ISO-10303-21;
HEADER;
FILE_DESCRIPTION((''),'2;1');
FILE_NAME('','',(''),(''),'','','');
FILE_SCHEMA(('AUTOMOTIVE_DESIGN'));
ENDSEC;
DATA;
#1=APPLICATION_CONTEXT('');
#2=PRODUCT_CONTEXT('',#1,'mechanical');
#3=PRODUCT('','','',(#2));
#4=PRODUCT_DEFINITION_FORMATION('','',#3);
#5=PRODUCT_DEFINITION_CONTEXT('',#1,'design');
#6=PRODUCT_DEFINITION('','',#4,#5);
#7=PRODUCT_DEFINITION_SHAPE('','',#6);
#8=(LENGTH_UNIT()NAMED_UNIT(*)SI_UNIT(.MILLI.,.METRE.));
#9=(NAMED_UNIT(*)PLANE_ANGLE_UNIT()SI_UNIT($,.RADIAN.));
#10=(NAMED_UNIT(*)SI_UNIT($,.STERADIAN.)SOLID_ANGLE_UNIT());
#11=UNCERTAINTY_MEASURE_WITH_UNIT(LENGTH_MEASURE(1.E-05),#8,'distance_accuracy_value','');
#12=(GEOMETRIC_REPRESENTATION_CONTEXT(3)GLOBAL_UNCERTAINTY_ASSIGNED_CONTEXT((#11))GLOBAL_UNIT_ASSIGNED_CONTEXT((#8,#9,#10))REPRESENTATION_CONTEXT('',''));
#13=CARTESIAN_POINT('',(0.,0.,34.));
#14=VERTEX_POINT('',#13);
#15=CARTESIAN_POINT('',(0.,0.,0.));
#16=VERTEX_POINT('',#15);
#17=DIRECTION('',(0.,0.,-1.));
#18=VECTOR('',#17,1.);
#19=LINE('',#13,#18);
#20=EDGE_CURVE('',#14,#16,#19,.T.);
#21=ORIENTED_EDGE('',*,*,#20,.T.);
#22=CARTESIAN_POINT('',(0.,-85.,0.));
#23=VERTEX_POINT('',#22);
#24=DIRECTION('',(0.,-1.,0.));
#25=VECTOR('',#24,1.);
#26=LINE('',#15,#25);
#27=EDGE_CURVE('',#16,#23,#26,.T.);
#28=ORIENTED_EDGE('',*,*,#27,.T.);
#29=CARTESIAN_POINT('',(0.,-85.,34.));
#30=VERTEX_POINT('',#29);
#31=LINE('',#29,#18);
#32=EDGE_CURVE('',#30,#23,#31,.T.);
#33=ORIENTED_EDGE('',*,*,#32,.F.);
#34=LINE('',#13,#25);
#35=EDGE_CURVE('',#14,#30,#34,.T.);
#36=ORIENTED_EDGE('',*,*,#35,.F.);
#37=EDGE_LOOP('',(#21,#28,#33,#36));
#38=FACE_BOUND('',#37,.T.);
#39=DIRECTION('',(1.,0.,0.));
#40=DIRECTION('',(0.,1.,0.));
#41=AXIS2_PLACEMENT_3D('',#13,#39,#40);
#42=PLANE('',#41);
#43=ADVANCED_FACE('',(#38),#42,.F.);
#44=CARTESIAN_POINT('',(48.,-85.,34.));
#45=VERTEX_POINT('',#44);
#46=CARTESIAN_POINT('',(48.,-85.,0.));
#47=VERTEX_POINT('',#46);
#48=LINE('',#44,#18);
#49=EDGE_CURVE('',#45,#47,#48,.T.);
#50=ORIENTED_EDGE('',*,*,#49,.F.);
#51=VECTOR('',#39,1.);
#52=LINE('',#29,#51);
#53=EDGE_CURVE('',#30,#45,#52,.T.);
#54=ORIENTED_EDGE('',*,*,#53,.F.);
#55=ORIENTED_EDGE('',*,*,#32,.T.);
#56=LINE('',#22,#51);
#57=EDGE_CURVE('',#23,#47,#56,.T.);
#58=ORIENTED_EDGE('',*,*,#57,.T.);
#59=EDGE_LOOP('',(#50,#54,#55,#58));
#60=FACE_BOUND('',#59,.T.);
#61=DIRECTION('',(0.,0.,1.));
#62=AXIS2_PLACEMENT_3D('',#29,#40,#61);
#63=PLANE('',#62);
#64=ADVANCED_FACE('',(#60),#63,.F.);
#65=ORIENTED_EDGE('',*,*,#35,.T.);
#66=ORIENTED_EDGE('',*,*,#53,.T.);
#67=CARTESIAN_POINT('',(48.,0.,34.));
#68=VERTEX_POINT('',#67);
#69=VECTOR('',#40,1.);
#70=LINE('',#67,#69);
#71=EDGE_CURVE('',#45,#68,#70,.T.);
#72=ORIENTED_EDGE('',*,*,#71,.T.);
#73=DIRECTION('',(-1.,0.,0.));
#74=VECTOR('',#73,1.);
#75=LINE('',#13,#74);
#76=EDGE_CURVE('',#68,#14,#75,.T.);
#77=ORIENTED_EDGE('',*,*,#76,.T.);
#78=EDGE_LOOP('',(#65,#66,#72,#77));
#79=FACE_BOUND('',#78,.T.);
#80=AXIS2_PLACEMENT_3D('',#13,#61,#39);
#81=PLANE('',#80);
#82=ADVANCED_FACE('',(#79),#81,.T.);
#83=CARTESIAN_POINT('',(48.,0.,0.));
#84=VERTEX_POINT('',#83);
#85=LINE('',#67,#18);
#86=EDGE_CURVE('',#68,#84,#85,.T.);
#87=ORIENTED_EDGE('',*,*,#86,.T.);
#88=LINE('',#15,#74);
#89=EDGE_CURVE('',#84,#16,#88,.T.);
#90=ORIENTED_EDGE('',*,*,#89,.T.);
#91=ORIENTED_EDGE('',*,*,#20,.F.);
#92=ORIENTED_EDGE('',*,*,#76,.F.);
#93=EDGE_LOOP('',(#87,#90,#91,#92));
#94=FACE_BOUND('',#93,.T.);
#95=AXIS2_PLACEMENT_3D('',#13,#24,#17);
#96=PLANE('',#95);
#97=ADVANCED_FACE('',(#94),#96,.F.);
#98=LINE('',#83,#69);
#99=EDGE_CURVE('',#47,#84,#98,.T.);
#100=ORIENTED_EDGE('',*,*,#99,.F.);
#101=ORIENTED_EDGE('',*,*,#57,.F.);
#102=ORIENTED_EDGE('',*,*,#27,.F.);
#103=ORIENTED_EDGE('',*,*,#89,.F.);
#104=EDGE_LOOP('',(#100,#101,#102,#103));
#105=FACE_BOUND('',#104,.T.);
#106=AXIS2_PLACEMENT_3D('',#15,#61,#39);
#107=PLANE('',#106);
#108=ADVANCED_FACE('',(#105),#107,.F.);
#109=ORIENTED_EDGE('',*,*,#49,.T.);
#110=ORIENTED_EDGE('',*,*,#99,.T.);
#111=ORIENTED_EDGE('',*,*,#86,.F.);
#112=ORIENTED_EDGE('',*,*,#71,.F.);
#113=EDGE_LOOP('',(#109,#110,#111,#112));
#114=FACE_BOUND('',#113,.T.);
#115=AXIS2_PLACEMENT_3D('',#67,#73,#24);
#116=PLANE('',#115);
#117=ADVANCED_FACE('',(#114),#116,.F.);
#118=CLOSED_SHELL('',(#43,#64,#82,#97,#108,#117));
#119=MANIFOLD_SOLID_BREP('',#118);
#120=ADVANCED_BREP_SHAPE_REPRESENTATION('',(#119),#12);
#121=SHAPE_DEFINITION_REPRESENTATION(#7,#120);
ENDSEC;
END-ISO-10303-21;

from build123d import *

# Parameters (mm, degrees)
SKETCH_1_W      = 48
SKETCH_1_H      = 85
EXTRUDE_1_DEPTH = 34


with BuildPart() as part:
    # 草图1 → 凸台-拉伸1 (new body)
    with BuildSketch(Plane.XY):
        with Locations((24, -42.5)):
            Rectangle(SKETCH_1_W, SKETCH_1_H)
    extrude(amount=EXTRUDE_1_DEPTH)


solid = part.part
